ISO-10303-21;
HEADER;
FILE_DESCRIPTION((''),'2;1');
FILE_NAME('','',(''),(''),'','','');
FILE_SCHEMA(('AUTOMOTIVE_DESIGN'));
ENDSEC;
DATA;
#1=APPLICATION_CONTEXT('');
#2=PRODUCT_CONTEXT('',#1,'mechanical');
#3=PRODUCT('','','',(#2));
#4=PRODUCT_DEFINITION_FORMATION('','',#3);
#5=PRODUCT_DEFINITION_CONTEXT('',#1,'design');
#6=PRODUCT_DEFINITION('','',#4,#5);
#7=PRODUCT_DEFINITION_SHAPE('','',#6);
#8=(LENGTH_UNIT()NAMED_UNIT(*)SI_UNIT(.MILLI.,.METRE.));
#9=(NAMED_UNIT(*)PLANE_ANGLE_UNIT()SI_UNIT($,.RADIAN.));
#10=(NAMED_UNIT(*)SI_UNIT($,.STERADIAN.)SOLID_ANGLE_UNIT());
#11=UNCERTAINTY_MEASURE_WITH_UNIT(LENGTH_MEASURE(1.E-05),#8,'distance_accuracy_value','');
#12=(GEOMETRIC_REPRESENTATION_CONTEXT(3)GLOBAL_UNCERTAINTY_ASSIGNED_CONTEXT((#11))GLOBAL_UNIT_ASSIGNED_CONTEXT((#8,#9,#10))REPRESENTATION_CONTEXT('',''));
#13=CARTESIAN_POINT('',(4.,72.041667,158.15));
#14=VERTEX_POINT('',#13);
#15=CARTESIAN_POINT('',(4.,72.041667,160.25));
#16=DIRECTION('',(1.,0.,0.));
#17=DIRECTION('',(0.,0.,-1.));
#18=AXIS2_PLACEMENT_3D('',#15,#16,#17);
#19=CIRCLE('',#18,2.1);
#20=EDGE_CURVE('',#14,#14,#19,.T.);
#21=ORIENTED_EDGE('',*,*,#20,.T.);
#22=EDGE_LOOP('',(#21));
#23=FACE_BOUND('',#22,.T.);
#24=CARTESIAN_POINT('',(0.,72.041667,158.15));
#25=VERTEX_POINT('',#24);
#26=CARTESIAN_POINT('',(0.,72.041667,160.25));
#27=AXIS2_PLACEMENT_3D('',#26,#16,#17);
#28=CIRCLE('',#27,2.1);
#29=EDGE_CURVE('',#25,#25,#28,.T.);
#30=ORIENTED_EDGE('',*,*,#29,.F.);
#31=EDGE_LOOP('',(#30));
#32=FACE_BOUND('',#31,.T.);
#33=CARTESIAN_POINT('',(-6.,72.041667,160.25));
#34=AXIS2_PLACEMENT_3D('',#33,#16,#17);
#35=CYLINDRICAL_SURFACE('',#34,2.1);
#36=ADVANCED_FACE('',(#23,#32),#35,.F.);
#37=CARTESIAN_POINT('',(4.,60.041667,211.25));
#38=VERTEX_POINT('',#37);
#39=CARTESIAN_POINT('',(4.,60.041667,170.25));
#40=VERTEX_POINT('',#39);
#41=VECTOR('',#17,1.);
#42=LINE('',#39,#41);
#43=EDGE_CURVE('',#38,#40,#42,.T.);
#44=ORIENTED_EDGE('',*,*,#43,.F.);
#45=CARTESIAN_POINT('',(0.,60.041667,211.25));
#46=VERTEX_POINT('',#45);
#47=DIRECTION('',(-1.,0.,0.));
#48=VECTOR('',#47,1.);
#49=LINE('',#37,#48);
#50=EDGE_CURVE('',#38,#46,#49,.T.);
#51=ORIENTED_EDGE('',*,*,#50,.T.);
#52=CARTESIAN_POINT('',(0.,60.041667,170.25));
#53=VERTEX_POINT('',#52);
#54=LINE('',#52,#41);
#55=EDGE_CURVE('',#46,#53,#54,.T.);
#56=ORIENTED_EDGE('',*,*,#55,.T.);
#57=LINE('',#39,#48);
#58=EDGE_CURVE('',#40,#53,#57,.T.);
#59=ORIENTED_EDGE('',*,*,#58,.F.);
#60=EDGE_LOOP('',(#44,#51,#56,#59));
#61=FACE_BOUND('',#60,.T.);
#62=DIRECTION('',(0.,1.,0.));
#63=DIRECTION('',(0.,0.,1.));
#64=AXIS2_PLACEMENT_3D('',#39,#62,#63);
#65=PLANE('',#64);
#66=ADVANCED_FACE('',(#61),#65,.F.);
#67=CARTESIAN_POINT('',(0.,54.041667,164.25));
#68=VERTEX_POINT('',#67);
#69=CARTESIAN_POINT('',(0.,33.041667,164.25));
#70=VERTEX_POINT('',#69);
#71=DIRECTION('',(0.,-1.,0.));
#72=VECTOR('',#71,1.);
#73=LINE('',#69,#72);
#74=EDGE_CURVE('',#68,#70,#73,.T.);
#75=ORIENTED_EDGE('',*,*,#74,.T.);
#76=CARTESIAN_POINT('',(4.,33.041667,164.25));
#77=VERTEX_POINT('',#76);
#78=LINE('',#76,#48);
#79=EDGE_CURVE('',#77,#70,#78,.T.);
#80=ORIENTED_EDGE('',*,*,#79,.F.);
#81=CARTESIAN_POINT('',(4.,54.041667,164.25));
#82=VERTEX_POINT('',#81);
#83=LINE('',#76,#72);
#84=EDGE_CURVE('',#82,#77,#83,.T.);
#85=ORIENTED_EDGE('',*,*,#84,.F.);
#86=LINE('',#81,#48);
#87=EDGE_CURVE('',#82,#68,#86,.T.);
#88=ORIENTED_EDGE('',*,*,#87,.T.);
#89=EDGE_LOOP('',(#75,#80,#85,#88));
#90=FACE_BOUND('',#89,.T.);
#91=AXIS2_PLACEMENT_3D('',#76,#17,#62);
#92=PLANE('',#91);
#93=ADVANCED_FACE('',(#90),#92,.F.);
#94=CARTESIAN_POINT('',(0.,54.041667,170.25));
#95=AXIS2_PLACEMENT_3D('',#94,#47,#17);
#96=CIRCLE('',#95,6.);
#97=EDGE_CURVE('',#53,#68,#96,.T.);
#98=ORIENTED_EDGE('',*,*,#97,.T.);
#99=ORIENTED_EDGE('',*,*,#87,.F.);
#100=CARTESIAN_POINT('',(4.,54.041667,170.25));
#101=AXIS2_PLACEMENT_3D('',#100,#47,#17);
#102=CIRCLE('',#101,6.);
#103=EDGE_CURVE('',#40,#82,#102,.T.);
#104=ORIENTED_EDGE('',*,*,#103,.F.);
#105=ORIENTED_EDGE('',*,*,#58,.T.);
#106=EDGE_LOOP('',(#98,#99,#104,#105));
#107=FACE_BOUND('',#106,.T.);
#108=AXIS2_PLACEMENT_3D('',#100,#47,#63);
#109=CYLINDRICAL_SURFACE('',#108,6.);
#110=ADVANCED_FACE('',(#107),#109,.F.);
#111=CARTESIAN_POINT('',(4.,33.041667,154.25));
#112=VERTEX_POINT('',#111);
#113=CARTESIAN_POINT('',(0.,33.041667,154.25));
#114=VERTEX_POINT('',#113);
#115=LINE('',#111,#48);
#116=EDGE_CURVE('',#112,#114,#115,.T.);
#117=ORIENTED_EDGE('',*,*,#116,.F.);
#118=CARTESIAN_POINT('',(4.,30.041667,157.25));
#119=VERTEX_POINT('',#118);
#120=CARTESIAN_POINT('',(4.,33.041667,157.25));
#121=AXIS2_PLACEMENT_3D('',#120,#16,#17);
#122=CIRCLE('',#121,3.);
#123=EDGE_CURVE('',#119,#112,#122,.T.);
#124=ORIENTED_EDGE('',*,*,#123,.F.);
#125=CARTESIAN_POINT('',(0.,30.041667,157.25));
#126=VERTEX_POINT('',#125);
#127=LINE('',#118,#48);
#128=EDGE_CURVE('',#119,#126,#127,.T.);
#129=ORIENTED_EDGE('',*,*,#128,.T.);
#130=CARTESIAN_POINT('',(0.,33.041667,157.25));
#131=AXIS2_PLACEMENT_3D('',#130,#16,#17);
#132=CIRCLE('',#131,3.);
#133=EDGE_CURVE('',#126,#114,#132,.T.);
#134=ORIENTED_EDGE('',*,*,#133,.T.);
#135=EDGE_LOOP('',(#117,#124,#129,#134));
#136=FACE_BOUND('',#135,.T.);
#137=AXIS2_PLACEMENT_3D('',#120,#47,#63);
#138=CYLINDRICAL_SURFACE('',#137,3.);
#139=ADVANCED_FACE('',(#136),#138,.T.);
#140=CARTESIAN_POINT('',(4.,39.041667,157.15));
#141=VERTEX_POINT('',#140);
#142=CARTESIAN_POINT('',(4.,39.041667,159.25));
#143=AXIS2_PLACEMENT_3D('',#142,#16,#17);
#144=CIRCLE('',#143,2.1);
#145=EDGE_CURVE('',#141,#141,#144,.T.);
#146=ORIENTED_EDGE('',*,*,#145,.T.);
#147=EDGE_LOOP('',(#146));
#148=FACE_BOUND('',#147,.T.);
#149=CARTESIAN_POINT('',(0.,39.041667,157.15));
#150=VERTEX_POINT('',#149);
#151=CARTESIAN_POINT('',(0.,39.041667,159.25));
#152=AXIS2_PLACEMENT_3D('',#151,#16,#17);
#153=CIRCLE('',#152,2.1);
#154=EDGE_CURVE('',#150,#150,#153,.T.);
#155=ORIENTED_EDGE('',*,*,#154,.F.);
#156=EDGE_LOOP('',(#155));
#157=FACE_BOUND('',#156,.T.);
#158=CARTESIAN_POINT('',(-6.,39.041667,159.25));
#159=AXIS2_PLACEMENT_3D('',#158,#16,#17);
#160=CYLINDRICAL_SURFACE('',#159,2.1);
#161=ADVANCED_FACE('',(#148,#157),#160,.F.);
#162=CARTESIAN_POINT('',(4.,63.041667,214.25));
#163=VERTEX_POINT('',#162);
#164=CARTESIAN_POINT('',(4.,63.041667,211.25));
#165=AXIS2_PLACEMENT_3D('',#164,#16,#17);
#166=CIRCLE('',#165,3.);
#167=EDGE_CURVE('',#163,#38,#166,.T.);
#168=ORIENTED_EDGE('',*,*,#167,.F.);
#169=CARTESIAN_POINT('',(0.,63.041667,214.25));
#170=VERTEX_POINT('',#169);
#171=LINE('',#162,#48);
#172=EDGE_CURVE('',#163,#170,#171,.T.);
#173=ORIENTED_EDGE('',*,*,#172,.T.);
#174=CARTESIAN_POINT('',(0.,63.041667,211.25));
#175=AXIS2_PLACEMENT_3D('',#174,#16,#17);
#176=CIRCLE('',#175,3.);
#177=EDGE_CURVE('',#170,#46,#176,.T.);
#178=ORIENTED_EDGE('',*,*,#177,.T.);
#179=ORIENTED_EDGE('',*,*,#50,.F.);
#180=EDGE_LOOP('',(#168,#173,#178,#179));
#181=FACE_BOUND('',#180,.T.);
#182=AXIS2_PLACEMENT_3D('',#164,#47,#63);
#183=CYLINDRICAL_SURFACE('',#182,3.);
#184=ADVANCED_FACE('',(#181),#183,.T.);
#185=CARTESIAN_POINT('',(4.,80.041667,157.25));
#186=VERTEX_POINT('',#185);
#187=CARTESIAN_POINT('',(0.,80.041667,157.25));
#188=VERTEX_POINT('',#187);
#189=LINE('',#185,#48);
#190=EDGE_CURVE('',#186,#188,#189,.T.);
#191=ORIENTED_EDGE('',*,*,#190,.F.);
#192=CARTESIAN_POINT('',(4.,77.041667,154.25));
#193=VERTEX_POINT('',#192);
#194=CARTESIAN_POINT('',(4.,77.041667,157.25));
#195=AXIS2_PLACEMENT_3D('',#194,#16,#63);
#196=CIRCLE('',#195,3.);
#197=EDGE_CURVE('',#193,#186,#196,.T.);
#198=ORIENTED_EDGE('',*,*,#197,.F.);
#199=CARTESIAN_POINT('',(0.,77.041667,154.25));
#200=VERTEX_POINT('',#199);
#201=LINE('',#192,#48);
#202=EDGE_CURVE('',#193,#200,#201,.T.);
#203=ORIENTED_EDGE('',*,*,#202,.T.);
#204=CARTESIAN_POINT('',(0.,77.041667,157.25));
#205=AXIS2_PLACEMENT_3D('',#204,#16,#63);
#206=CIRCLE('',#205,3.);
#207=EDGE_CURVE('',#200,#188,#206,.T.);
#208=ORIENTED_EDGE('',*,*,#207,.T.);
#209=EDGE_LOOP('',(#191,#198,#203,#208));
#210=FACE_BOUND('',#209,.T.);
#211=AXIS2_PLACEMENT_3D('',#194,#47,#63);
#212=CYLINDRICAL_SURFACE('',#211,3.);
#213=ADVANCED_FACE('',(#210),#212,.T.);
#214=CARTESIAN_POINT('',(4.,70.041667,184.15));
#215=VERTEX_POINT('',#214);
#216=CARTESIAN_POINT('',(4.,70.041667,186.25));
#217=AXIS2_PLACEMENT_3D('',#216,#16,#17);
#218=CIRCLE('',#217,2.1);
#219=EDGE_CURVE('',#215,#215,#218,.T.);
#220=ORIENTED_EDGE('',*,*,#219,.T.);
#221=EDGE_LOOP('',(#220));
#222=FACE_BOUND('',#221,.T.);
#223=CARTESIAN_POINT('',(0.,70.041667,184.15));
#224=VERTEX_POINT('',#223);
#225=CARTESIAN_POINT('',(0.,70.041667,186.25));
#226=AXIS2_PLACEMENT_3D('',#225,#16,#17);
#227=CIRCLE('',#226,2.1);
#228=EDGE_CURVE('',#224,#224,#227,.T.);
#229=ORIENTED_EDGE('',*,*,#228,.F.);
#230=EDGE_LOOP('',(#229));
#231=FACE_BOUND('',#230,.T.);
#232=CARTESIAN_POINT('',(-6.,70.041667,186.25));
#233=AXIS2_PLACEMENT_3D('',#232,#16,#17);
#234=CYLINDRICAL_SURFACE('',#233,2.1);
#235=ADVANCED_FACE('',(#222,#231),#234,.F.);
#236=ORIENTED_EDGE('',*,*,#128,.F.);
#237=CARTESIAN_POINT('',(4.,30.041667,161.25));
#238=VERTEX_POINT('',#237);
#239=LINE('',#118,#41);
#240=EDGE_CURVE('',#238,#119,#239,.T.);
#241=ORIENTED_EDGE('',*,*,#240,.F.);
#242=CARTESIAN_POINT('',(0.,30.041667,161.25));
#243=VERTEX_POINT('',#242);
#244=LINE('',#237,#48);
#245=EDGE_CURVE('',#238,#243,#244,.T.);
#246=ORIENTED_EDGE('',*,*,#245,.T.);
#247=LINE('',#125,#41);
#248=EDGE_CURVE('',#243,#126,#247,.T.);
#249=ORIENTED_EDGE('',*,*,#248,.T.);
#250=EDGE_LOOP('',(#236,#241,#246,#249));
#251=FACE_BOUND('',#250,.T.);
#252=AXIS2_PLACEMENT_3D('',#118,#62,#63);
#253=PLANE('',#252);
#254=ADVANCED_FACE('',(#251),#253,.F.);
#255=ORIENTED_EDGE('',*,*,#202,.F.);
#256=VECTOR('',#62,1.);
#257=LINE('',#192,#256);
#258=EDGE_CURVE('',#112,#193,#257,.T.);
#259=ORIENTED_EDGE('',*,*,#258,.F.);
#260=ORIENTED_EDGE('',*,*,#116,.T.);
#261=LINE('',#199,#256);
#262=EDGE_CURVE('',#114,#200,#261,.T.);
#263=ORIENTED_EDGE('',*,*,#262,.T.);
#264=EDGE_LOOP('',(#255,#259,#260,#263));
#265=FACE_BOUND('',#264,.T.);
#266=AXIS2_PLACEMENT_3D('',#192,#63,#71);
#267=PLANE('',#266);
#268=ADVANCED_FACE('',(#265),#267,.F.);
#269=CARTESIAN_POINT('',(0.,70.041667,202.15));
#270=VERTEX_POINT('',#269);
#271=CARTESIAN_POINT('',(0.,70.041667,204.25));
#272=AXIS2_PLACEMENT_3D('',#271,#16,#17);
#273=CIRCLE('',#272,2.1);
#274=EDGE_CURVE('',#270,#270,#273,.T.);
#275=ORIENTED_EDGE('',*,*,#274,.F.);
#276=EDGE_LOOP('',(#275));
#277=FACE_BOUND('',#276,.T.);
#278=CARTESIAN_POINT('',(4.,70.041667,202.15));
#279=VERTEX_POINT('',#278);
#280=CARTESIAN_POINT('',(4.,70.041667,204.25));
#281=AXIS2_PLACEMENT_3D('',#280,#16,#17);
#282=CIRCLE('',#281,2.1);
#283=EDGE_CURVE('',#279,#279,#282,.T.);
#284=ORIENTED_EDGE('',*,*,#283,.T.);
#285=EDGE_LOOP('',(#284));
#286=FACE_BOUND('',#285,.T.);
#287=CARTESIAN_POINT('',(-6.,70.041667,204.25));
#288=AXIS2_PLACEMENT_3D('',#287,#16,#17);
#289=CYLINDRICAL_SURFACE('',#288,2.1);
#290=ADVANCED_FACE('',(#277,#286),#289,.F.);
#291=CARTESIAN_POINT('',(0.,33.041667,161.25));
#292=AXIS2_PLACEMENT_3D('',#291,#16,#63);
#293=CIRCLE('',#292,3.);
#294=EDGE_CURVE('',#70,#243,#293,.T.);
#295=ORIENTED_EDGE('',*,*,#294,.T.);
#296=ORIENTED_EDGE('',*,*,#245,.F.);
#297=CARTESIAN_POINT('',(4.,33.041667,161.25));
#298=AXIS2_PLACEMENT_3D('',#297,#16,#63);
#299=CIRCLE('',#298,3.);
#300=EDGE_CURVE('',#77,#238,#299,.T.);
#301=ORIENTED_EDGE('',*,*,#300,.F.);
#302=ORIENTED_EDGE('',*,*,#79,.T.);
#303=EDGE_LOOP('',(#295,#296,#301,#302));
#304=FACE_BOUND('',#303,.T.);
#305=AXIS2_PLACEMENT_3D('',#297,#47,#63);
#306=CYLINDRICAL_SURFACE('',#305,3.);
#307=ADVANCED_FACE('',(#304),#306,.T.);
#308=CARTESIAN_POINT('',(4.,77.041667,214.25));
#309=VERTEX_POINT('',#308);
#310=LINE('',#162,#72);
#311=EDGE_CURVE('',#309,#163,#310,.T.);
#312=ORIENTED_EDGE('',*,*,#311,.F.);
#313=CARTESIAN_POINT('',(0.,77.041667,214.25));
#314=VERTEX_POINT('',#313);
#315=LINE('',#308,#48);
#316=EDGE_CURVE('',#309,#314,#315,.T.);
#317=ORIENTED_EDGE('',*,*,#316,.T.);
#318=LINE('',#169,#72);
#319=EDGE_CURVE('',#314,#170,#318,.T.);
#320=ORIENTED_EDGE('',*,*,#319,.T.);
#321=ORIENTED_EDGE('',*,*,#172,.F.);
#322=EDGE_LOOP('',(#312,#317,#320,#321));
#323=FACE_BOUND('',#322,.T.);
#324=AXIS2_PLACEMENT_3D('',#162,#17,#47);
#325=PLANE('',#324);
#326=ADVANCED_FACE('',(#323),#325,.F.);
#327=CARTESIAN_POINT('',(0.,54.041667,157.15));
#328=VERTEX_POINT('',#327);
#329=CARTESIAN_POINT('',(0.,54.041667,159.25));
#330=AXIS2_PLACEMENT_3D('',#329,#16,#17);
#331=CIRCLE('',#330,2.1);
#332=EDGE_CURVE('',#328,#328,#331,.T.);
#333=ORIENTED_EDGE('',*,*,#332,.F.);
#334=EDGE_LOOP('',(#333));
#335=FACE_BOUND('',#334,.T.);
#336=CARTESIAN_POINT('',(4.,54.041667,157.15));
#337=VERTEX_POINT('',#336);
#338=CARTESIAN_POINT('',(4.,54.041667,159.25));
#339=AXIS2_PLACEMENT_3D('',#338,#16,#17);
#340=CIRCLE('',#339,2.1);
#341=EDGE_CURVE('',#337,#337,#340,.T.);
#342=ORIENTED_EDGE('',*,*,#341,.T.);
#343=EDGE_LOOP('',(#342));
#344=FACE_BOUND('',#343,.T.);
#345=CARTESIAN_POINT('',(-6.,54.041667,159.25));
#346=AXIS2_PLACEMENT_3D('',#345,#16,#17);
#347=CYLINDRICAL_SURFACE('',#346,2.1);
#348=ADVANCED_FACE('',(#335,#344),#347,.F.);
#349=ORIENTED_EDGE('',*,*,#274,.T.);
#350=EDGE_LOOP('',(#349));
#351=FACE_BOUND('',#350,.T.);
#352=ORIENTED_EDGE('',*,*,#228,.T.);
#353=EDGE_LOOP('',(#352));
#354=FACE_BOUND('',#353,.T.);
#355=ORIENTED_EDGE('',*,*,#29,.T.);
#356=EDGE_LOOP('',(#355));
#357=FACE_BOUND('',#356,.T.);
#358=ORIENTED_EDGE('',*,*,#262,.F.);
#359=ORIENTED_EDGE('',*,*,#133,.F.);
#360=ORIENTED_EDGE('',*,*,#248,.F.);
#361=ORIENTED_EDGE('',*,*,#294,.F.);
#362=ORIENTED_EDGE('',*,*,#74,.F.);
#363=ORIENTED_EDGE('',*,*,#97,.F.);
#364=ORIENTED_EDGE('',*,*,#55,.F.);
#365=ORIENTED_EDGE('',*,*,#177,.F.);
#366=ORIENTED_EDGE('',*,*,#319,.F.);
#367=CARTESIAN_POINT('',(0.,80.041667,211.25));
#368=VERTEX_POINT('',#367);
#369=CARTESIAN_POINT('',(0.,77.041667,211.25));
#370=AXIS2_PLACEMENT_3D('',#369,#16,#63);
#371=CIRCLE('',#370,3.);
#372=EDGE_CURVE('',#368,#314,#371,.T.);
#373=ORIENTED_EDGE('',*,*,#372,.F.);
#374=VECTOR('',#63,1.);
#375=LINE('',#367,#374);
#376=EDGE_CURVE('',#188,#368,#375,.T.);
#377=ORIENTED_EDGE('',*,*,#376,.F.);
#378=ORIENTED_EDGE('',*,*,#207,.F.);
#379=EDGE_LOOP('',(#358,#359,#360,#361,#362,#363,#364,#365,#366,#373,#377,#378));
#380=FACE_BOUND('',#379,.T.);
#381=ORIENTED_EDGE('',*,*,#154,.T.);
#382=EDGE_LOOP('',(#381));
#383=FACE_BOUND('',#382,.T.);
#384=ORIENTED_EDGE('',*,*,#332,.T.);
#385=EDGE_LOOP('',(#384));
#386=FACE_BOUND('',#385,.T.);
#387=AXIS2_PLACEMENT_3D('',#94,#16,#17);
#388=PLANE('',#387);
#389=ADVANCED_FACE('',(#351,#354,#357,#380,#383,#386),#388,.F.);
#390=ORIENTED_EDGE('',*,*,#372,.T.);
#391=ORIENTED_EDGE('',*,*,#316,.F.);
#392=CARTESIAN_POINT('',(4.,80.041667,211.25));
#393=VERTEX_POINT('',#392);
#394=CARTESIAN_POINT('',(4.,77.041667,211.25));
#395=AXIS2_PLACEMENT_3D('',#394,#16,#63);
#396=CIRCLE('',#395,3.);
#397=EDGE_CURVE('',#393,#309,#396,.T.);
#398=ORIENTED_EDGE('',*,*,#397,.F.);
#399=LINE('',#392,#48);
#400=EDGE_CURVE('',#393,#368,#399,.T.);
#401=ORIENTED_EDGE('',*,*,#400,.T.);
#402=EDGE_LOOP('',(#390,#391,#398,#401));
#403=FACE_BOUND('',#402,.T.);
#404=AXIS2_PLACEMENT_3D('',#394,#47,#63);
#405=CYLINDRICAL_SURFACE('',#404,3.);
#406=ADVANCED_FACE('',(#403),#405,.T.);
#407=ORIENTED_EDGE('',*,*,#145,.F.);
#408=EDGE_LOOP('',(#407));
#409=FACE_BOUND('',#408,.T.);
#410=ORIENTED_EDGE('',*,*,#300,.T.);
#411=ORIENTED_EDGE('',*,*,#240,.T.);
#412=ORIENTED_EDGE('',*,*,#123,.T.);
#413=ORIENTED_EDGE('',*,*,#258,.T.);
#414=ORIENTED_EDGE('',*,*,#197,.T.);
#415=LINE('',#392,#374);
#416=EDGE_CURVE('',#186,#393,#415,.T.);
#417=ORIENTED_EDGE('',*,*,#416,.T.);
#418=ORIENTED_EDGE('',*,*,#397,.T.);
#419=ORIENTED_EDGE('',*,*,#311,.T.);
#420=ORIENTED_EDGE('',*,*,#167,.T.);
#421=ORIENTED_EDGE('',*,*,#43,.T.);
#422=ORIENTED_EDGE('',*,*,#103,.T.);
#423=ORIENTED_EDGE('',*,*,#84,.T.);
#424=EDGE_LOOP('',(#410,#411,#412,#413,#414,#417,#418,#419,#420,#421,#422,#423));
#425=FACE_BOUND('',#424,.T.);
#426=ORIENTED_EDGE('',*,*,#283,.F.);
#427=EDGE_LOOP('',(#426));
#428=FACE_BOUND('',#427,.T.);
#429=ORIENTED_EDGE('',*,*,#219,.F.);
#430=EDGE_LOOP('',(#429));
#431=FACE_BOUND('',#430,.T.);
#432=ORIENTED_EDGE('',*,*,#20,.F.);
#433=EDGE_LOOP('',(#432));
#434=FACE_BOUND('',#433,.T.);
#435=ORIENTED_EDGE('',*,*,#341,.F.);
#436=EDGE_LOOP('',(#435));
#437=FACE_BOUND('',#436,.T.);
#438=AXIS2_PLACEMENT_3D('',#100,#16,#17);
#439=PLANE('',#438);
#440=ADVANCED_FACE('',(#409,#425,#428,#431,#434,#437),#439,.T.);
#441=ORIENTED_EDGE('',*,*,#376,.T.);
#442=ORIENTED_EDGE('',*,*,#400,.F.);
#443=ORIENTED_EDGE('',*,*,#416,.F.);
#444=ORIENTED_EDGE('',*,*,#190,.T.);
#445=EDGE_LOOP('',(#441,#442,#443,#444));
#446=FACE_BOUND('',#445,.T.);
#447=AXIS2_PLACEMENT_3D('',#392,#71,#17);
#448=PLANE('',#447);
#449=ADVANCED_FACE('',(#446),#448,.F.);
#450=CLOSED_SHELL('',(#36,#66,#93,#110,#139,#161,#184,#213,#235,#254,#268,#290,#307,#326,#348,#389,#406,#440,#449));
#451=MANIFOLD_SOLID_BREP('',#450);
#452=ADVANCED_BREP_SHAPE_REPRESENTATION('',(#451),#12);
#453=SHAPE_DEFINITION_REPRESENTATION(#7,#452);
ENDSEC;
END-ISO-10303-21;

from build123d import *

# Parameters (mm, degrees)
EXTRUDE_1_DEPTH     = 4
SKETCH_3_R          = 2.1
CUT_EXTRUDE_1_DEPTH = 10


with BuildPart() as part:
    # 草图2 → 凸台-拉伸1 (new body)
    with BuildSketch(Plane(origin=(0, 0, 0), x_dir=(0, 0, -1), z_dir=(1, 0, 0))):
        with BuildLine():
            Line((-211.25, 80.041666667), (-157.25, 80.041666667))
            ThreePointArc((-157.25, 80.041666667), (-155.128679656, 79.16298701), (-154.25, 77.041666667))
            Line((-154.25, 77.041666667), (-154.25, 33.041666667))
            ThreePointArc((-154.25, 33.041666667), (-155.128679656, 30.920346323), (-157.25, 30.041666667))
            Line((-157.25, 30.041666667), (-161.25, 30.041666667))
            ThreePointArc((-161.25, 30.041666667), (-163.371320344, 30.920346323), (-164.25, 33.041666667))
            Line((-164.25, 33.041666667), (-164.25, 54.041666667))
            ThreePointArc((-164.25, 54.041666667), (-166.007359313, 58.284307354), (-170.25, 60.041666667))
            Line((-170.25, 60.041666667), (-211.25, 60.041666667))
            ThreePointArc((-211.25, 60.041666667), (-213.371320344, 60.920346323), (-214.25, 63.041666667))
            Line((-214.25, 63.041666667), (-214.25, 77.041666667))
            ThreePointArc((-214.25, 77.041666667), (-213.371320344, 79.16298701), (-211.25, 80.041666667))
        make_face()
    extrude(amount=EXTRUDE_1_DEPTH)

    # 草图3 → 切除-拉伸1 (cut)
    with BuildSketch(Plane(origin=(4, 0, 0), x_dir=(0, 0, -1), z_dir=(1, 0, 0))):
        with Locations((-204.25, 70.041666667)):
            Circle(SKETCH_3_R)
        with Locations((-186.25, 70.041666667)):
            Circle(SKETCH_3_R)
        with Locations((-159.25, 54.041666667)):
            Circle(SKETCH_3_R)
        with Locations((-159.25, 39.041666667)):
            Circle(SKETCH_3_R)
        with Locations((-160.25, 72.041666667)):
            Circle(SKETCH_3_R)
    extrude(amount=-CUT_EXTRUDE_1_DEPTH, mode=Mode.SUBTRACT)


solid = part.part
